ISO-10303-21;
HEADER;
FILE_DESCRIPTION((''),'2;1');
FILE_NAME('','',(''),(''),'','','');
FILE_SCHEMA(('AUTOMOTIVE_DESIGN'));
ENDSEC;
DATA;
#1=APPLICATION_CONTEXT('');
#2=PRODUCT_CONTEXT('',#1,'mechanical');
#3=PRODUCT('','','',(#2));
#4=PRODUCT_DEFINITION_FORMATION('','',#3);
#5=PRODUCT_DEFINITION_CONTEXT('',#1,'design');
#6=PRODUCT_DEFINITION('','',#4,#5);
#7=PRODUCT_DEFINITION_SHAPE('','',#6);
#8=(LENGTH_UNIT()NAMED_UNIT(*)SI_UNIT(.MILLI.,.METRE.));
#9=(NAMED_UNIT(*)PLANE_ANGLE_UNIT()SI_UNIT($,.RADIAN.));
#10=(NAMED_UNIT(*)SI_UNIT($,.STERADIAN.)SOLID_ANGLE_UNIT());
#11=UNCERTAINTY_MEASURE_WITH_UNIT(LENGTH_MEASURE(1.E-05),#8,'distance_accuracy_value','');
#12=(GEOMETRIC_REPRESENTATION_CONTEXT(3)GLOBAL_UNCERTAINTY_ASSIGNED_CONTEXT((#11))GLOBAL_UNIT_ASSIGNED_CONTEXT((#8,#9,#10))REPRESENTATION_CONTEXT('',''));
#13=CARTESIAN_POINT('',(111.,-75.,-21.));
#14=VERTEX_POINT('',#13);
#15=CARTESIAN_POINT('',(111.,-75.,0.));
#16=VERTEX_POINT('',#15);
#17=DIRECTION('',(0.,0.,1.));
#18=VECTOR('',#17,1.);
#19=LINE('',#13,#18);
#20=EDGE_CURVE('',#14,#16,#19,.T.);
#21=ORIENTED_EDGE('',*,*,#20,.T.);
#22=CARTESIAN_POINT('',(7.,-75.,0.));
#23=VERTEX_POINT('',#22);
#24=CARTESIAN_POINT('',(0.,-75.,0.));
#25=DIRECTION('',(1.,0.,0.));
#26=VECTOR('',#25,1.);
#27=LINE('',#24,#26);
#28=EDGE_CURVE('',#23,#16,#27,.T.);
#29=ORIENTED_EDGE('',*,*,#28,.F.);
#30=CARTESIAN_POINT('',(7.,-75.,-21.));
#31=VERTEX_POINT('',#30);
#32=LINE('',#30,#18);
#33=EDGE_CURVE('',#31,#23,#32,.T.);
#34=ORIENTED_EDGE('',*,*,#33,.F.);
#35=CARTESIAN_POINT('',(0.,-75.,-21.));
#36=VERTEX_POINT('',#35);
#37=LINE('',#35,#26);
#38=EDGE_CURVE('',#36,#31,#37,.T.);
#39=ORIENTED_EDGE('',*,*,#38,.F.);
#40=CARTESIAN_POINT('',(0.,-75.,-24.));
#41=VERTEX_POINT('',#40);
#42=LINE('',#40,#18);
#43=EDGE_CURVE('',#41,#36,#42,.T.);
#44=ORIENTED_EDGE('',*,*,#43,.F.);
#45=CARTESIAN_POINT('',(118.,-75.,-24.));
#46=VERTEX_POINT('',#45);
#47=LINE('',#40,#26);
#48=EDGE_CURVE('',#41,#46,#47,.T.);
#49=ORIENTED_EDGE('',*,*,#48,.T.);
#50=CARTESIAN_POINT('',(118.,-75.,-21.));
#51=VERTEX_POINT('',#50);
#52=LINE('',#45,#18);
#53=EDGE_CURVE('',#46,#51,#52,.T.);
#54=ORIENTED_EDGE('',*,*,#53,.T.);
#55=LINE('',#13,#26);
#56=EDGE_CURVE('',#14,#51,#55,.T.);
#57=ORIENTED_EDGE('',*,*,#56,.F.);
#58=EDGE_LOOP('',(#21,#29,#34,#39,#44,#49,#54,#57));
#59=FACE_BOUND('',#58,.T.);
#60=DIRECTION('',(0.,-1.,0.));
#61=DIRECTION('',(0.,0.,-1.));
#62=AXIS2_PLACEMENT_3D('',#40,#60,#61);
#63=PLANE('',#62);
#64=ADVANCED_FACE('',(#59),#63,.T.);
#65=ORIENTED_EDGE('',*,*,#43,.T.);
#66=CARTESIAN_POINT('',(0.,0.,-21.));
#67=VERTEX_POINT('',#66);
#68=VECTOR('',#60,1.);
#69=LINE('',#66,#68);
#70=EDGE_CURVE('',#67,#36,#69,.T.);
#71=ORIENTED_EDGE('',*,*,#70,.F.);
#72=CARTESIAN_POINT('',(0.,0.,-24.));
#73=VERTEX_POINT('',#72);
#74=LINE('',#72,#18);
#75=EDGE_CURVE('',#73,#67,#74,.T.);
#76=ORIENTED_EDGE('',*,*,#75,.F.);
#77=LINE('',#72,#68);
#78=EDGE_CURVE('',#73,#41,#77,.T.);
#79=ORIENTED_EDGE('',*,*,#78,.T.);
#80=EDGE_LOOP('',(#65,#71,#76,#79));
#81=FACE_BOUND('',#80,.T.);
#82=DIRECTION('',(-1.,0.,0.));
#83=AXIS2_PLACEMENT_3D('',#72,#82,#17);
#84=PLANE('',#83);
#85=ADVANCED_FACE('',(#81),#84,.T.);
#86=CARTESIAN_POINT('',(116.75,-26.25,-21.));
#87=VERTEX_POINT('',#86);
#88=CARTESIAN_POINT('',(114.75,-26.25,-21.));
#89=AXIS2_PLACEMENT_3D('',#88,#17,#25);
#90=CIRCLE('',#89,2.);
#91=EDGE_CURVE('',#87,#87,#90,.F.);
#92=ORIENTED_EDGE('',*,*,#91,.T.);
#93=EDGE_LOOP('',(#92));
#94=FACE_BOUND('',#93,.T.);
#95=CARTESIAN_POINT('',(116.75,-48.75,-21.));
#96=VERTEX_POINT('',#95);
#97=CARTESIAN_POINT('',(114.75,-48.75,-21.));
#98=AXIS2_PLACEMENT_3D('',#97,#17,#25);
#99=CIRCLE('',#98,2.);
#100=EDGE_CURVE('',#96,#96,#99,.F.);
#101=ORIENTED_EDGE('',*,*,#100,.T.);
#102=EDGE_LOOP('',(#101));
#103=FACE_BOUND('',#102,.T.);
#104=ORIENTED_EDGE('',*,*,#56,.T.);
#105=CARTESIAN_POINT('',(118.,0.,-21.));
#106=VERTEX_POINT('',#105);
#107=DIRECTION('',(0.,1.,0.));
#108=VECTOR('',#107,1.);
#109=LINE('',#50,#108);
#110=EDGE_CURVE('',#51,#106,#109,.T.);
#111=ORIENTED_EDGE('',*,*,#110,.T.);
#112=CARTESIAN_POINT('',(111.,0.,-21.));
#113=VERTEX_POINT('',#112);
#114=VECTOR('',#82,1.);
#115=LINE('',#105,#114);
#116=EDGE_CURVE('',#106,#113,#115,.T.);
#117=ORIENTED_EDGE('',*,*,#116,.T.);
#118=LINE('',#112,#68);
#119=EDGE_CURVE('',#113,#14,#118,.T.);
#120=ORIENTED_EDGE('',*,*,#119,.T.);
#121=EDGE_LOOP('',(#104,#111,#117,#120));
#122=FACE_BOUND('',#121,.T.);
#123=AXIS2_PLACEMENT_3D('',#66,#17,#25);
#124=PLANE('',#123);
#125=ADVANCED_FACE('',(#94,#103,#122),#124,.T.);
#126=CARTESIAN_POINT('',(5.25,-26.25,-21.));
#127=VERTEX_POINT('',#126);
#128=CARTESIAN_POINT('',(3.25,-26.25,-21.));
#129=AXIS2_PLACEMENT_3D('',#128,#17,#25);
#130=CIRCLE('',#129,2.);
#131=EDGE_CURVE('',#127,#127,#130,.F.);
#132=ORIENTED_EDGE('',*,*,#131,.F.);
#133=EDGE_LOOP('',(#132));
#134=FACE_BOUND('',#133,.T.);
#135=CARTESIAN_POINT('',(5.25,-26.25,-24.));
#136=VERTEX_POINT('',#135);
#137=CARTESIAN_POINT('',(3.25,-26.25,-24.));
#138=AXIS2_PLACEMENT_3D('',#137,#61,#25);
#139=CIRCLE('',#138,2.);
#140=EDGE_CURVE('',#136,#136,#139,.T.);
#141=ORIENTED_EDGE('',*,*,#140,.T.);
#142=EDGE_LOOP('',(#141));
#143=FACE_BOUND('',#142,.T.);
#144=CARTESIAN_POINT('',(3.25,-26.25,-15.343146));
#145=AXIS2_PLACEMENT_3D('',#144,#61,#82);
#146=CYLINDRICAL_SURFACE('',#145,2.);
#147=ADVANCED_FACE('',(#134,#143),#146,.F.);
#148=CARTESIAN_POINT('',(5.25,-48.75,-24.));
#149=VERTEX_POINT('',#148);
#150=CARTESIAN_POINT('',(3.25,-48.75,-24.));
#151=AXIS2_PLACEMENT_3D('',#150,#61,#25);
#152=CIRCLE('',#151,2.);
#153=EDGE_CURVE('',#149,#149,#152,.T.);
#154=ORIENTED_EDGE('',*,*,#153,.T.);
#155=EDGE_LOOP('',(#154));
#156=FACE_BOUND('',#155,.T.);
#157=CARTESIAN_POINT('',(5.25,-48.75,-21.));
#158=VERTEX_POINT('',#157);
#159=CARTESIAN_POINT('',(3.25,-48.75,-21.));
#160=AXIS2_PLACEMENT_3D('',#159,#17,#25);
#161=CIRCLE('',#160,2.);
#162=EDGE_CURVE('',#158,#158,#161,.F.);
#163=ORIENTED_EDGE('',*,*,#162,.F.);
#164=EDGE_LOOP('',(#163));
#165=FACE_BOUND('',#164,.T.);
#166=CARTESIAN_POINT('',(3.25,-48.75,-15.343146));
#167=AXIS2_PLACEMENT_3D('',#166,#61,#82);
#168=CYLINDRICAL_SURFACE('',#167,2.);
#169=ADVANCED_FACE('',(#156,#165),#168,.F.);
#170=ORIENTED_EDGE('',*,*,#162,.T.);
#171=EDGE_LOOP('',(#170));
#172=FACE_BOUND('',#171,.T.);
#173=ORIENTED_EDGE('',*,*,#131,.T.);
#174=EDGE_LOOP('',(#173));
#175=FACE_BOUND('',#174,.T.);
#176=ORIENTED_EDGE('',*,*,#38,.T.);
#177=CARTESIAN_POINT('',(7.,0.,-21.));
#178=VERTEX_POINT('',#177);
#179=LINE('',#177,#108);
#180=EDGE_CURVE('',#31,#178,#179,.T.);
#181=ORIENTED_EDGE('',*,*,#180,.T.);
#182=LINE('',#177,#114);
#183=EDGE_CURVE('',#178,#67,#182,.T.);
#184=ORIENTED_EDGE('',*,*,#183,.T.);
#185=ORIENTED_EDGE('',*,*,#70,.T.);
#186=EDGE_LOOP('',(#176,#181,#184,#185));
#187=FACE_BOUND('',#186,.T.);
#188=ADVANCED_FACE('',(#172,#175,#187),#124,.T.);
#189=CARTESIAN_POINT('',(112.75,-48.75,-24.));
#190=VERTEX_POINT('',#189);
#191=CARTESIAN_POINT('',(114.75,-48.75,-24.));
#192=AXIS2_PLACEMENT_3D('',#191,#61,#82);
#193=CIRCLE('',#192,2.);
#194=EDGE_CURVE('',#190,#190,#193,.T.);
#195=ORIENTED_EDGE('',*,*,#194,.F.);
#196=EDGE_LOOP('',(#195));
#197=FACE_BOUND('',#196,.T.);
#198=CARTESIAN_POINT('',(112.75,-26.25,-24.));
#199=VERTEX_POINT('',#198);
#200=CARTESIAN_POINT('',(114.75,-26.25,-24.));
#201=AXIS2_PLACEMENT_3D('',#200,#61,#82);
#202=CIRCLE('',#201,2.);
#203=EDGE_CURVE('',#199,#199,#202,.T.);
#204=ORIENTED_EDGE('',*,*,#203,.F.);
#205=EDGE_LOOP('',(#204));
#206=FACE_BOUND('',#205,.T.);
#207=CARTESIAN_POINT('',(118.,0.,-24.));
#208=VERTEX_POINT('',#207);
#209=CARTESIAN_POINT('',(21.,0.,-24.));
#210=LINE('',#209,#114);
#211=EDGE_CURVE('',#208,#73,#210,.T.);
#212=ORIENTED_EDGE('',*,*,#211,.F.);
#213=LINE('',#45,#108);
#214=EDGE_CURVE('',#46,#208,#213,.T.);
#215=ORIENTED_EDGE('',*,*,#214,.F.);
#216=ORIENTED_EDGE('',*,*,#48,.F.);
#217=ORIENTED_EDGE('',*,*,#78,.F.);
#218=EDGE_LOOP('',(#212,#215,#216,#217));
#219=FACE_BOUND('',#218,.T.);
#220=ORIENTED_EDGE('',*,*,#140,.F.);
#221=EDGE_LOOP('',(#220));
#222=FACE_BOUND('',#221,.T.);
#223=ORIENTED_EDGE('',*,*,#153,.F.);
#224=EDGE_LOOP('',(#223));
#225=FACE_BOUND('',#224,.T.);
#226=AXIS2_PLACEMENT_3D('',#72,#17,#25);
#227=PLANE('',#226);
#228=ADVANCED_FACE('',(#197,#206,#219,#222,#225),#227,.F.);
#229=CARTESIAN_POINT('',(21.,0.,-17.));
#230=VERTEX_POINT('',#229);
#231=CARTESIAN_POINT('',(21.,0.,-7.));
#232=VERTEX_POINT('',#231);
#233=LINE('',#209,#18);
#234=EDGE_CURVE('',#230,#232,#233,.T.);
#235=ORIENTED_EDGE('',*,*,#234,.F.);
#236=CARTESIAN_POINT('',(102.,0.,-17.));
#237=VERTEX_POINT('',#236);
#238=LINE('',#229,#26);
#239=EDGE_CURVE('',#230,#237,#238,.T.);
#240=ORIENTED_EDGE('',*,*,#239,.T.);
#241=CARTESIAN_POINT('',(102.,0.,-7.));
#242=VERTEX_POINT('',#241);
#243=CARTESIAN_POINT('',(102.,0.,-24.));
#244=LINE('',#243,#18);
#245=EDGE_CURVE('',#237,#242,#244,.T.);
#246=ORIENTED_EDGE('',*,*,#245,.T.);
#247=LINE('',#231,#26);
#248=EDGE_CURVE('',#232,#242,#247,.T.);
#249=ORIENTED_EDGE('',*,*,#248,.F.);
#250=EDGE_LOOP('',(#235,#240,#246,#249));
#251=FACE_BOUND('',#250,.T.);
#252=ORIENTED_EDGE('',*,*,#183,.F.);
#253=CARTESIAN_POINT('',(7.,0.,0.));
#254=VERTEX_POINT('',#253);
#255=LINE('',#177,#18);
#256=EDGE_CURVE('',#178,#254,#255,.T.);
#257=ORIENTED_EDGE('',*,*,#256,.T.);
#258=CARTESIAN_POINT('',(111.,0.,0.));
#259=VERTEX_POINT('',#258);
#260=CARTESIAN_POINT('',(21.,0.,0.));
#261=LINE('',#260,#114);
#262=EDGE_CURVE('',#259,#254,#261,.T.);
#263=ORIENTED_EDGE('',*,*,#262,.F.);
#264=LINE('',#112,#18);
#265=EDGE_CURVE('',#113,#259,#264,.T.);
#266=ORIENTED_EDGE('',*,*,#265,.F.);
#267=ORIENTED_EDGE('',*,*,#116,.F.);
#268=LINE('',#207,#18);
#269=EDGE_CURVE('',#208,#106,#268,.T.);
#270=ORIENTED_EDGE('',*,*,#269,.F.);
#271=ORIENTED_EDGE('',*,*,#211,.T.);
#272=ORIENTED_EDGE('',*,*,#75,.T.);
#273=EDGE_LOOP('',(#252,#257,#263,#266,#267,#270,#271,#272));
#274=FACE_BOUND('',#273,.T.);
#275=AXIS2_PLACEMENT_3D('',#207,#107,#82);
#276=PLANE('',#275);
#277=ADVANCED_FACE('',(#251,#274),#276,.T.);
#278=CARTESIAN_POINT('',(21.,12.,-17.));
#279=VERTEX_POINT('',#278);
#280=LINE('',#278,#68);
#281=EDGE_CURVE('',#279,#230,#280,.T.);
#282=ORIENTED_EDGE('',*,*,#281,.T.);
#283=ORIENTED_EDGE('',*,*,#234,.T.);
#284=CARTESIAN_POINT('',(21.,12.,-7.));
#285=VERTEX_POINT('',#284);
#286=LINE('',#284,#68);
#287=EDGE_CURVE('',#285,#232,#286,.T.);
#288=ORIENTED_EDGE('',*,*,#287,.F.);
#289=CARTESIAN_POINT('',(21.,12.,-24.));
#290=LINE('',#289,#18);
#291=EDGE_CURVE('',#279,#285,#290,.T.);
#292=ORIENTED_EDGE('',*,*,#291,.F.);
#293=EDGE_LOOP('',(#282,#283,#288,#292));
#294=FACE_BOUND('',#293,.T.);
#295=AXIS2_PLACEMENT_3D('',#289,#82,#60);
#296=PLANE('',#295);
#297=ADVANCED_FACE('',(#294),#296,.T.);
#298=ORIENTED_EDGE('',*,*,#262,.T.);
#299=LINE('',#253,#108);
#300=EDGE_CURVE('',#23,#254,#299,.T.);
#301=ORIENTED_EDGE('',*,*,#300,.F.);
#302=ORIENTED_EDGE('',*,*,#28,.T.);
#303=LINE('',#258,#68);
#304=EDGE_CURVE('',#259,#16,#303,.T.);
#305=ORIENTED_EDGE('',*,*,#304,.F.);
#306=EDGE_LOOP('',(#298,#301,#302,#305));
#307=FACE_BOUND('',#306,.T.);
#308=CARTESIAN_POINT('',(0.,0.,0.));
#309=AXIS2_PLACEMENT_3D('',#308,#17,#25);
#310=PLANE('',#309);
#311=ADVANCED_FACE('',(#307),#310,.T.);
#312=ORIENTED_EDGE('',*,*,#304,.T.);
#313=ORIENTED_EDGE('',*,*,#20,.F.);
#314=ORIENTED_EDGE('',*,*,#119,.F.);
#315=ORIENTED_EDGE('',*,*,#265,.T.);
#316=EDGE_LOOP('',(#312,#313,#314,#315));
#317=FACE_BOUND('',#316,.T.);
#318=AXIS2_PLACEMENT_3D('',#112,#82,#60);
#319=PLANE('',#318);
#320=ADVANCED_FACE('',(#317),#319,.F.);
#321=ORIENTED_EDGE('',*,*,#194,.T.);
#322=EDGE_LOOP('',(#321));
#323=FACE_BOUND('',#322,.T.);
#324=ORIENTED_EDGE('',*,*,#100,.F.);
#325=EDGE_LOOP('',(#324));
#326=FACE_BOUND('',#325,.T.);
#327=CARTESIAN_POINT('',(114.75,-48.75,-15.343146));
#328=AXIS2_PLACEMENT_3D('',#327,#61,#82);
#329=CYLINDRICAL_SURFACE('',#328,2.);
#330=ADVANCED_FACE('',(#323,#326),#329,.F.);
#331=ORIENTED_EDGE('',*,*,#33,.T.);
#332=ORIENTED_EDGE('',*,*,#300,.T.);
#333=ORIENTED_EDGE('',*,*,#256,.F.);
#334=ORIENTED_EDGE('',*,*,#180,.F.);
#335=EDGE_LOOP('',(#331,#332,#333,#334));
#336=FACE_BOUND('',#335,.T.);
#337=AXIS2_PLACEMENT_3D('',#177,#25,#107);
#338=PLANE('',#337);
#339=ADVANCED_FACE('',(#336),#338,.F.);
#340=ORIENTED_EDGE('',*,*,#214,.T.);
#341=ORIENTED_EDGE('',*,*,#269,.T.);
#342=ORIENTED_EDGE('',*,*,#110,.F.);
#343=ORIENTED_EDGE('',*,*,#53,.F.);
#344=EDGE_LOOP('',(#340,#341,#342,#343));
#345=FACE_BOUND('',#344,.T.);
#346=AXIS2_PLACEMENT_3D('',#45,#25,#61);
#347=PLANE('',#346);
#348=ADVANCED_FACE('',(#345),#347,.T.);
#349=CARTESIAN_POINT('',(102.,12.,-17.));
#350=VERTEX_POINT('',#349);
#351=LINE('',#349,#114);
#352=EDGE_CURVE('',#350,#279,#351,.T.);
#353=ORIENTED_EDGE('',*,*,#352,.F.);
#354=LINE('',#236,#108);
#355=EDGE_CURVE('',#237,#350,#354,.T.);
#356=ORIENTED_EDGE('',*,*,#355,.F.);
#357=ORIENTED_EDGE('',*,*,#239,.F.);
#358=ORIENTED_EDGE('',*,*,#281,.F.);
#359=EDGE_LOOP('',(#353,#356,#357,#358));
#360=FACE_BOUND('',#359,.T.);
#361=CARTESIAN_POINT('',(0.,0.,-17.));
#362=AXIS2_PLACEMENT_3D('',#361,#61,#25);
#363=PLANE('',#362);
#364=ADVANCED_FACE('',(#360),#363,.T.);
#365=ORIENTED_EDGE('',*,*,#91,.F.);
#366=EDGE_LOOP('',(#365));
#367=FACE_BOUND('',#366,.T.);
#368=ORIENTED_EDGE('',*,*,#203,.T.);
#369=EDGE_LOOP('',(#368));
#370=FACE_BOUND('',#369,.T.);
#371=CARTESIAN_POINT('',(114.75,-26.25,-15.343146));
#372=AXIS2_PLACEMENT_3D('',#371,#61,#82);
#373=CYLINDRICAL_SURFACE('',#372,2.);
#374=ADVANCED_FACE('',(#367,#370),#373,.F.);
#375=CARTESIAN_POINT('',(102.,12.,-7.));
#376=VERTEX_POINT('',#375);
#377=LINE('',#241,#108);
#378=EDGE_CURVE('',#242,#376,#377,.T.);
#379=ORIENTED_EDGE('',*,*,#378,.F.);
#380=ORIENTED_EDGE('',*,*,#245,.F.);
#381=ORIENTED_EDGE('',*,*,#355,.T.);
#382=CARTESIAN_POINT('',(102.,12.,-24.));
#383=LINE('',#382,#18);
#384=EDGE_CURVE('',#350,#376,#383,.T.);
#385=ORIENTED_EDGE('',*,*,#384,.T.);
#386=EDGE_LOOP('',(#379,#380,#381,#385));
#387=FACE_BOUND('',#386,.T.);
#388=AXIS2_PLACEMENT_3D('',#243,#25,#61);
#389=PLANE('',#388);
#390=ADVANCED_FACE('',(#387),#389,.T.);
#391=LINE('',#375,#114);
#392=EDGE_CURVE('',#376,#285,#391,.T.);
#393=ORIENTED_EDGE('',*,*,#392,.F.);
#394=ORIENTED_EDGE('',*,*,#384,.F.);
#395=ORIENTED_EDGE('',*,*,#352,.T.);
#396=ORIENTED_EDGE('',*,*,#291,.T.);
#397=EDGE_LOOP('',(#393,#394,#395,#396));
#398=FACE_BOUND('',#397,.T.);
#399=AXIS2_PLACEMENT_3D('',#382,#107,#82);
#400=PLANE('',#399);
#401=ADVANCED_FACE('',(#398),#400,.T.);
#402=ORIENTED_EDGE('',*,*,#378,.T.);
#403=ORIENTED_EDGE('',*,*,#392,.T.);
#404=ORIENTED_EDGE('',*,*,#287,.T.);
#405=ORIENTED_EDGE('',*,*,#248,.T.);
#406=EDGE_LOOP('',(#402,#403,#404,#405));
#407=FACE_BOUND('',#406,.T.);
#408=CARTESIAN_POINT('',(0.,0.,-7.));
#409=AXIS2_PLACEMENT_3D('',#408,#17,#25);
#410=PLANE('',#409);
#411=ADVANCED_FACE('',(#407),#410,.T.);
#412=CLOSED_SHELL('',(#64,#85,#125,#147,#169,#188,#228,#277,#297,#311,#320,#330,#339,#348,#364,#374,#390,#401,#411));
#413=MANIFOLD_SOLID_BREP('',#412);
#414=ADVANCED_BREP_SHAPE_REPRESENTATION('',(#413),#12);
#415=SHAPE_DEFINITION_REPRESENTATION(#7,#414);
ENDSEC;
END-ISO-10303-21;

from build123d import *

# Parameters (mm, degrees)
BOSS_EXTRUDE1_DEPTH = 24
SKETCH3_W           = 7
SKETCH3_H           = 75
CUT_EXTRUDE1_DEPTH  = 21
SKETCH4_W           = 81
SKETCH4_H           = 12
CUT_EXTRUDE2_DEPTH  = 7
SKETCH5_R           = 2
CUT_EXTRUDE3_DEPTH  = 3


with BuildPart() as part:
    # Sketch2 → Boss-Extrude1 (new body)
    with BuildSketch(Plane.XY):
        Polygon((0, 0), (0, -75), (118, -75), (118, 0), (102, 0), (102, 12), (21, 12), (21, 0), align=None)
    extrude(amount=-BOSS_EXTRUDE1_DEPTH)

    # Sketch3 → Cut-Extrude1 (cut)
    with BuildSketch(Plane.XY):
        with Locations((3.5, -37.5)):
            Rectangle(SKETCH3_W, SKETCH3_H)
        with Locations((114.5, -37.5)):
            Rectangle(SKETCH3_W, SKETCH3_H)
    extrude(amount=-CUT_EXTRUDE1_DEPTH, mode=Mode.SUBTRACT)

    # Sketch4 → Cut-Extrude2 (cut)
    with BuildSketch(Plane.XY):
        with Locations((61.5, 6)):
            Rectangle(SKETCH4_W, SKETCH4_H)
    cut_extrude2 = extrude(amount=-CUT_EXTRUDE2_DEPTH, mode=Mode.SUBTRACT)

    # Mirror1: Cut-Extrude2 across plane
    add(cut_extrude2.mirror(Plane.XY.offset(-12)), mode=Mode.SUBTRACT)

    # Sketch5 → Cut-Extrude3 (cut)
    with BuildSketch(Plane(origin=(0, 0, -24), x_dir=(-1, 0, 0), z_dir=(0, 0, -1))):
        with Locations((-114.75, -26.25)):
            Circle(SKETCH5_R)
        with Locations((-114.75, -48.75)):
            Circle(SKETCH5_R)
        with Locations(Location((-3.25, -48.75, 0), (0, 0, 180))):
            Circle(SKETCH5_R)
        with Locations(Location((-3.25, -26.25, 0), (0, 0, 180))):
            Circle(SKETCH5_R)
    extrude(amount=-CUT_EXTRUDE3_DEPTH, mode=Mode.SUBTRACT)


solid = part.part
